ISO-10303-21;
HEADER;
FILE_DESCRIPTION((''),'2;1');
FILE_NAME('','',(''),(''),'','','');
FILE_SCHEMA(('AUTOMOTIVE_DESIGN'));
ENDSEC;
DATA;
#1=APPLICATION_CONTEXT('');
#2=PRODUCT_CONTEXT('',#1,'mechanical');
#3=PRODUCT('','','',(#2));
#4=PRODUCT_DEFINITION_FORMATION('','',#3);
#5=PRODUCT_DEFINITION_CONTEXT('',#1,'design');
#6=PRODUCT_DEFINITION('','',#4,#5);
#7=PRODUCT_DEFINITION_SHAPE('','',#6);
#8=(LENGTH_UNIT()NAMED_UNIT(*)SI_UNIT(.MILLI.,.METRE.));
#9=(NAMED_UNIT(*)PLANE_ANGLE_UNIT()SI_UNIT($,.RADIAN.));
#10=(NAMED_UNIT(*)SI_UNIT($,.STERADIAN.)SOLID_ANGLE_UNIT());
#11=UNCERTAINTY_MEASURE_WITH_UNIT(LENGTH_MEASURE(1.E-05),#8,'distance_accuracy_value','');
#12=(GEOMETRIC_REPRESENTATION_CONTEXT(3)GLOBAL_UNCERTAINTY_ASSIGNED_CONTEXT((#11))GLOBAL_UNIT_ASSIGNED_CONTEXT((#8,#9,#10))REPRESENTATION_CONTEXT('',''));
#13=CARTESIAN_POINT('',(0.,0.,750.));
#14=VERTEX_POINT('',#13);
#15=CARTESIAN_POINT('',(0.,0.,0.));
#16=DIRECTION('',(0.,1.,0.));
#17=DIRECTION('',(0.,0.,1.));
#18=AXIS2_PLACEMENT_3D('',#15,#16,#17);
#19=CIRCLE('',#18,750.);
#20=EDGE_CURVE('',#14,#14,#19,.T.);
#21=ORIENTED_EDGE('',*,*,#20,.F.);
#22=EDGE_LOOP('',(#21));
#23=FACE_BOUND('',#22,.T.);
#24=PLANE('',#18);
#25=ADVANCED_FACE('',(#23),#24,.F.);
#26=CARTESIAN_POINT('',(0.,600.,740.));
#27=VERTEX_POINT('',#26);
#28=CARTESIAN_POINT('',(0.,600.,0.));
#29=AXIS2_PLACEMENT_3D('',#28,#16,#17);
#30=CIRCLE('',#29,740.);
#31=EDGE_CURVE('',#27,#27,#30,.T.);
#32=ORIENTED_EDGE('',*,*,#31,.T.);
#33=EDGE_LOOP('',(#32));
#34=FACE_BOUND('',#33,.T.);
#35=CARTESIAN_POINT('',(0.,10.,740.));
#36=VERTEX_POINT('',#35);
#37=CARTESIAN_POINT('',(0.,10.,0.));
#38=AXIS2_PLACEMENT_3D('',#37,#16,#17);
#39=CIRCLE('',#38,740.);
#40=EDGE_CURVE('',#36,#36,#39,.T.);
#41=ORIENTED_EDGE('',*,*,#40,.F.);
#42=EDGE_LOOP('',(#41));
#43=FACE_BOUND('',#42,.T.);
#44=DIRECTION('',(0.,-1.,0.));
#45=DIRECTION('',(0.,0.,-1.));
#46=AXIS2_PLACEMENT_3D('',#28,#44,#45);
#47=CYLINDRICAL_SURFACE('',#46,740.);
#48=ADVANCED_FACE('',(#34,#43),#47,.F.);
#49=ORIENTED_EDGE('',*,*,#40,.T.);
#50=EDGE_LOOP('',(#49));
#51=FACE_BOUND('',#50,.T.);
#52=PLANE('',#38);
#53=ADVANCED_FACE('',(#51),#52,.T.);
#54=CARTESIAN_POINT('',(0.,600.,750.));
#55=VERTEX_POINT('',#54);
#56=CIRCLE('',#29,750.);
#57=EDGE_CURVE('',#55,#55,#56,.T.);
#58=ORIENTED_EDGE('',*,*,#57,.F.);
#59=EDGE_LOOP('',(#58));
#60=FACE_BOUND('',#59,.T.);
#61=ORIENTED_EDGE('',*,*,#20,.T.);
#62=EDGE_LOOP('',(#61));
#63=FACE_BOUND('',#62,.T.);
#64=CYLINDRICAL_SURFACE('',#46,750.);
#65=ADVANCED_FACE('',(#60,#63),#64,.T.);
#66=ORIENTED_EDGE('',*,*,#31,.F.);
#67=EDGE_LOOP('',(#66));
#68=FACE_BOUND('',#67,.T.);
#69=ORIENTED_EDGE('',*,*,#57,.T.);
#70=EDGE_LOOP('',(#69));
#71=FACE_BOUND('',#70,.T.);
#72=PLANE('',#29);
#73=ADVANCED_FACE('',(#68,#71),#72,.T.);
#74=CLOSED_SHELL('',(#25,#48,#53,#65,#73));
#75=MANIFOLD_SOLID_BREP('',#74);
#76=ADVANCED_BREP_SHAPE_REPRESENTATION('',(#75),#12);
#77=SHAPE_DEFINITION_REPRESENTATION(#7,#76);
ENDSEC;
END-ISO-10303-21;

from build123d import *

# Parameters (mm, degrees)
SKETCH1_R           = 750
BOSS_EXTRUDE1_DEPTH = 600
SHELL1_T            = -10


with BuildPart() as part:
    # Sketch1 → Boss-Extrude1 (new body)
    with BuildSketch(Plane(origin=(0, 0, 0), x_dir=(1, 0, 0), z_dir=(0, 1, 0))):
        with Locations(Location((0, 0, 0), (0, 0, 270))):
            Circle(SKETCH1_R)
    extrude(amount=BOSS_EXTRUDE1_DEPTH)

    # Shell1
    shell1_openings = [part.faces().sort_by_distance(p)[0] for p in [
        (0, 600, 0),
    ]]
    offset(amount=SHELL1_T, openings=shell1_openings, kind=Kind.INTERSECTION)


solid = part.part
